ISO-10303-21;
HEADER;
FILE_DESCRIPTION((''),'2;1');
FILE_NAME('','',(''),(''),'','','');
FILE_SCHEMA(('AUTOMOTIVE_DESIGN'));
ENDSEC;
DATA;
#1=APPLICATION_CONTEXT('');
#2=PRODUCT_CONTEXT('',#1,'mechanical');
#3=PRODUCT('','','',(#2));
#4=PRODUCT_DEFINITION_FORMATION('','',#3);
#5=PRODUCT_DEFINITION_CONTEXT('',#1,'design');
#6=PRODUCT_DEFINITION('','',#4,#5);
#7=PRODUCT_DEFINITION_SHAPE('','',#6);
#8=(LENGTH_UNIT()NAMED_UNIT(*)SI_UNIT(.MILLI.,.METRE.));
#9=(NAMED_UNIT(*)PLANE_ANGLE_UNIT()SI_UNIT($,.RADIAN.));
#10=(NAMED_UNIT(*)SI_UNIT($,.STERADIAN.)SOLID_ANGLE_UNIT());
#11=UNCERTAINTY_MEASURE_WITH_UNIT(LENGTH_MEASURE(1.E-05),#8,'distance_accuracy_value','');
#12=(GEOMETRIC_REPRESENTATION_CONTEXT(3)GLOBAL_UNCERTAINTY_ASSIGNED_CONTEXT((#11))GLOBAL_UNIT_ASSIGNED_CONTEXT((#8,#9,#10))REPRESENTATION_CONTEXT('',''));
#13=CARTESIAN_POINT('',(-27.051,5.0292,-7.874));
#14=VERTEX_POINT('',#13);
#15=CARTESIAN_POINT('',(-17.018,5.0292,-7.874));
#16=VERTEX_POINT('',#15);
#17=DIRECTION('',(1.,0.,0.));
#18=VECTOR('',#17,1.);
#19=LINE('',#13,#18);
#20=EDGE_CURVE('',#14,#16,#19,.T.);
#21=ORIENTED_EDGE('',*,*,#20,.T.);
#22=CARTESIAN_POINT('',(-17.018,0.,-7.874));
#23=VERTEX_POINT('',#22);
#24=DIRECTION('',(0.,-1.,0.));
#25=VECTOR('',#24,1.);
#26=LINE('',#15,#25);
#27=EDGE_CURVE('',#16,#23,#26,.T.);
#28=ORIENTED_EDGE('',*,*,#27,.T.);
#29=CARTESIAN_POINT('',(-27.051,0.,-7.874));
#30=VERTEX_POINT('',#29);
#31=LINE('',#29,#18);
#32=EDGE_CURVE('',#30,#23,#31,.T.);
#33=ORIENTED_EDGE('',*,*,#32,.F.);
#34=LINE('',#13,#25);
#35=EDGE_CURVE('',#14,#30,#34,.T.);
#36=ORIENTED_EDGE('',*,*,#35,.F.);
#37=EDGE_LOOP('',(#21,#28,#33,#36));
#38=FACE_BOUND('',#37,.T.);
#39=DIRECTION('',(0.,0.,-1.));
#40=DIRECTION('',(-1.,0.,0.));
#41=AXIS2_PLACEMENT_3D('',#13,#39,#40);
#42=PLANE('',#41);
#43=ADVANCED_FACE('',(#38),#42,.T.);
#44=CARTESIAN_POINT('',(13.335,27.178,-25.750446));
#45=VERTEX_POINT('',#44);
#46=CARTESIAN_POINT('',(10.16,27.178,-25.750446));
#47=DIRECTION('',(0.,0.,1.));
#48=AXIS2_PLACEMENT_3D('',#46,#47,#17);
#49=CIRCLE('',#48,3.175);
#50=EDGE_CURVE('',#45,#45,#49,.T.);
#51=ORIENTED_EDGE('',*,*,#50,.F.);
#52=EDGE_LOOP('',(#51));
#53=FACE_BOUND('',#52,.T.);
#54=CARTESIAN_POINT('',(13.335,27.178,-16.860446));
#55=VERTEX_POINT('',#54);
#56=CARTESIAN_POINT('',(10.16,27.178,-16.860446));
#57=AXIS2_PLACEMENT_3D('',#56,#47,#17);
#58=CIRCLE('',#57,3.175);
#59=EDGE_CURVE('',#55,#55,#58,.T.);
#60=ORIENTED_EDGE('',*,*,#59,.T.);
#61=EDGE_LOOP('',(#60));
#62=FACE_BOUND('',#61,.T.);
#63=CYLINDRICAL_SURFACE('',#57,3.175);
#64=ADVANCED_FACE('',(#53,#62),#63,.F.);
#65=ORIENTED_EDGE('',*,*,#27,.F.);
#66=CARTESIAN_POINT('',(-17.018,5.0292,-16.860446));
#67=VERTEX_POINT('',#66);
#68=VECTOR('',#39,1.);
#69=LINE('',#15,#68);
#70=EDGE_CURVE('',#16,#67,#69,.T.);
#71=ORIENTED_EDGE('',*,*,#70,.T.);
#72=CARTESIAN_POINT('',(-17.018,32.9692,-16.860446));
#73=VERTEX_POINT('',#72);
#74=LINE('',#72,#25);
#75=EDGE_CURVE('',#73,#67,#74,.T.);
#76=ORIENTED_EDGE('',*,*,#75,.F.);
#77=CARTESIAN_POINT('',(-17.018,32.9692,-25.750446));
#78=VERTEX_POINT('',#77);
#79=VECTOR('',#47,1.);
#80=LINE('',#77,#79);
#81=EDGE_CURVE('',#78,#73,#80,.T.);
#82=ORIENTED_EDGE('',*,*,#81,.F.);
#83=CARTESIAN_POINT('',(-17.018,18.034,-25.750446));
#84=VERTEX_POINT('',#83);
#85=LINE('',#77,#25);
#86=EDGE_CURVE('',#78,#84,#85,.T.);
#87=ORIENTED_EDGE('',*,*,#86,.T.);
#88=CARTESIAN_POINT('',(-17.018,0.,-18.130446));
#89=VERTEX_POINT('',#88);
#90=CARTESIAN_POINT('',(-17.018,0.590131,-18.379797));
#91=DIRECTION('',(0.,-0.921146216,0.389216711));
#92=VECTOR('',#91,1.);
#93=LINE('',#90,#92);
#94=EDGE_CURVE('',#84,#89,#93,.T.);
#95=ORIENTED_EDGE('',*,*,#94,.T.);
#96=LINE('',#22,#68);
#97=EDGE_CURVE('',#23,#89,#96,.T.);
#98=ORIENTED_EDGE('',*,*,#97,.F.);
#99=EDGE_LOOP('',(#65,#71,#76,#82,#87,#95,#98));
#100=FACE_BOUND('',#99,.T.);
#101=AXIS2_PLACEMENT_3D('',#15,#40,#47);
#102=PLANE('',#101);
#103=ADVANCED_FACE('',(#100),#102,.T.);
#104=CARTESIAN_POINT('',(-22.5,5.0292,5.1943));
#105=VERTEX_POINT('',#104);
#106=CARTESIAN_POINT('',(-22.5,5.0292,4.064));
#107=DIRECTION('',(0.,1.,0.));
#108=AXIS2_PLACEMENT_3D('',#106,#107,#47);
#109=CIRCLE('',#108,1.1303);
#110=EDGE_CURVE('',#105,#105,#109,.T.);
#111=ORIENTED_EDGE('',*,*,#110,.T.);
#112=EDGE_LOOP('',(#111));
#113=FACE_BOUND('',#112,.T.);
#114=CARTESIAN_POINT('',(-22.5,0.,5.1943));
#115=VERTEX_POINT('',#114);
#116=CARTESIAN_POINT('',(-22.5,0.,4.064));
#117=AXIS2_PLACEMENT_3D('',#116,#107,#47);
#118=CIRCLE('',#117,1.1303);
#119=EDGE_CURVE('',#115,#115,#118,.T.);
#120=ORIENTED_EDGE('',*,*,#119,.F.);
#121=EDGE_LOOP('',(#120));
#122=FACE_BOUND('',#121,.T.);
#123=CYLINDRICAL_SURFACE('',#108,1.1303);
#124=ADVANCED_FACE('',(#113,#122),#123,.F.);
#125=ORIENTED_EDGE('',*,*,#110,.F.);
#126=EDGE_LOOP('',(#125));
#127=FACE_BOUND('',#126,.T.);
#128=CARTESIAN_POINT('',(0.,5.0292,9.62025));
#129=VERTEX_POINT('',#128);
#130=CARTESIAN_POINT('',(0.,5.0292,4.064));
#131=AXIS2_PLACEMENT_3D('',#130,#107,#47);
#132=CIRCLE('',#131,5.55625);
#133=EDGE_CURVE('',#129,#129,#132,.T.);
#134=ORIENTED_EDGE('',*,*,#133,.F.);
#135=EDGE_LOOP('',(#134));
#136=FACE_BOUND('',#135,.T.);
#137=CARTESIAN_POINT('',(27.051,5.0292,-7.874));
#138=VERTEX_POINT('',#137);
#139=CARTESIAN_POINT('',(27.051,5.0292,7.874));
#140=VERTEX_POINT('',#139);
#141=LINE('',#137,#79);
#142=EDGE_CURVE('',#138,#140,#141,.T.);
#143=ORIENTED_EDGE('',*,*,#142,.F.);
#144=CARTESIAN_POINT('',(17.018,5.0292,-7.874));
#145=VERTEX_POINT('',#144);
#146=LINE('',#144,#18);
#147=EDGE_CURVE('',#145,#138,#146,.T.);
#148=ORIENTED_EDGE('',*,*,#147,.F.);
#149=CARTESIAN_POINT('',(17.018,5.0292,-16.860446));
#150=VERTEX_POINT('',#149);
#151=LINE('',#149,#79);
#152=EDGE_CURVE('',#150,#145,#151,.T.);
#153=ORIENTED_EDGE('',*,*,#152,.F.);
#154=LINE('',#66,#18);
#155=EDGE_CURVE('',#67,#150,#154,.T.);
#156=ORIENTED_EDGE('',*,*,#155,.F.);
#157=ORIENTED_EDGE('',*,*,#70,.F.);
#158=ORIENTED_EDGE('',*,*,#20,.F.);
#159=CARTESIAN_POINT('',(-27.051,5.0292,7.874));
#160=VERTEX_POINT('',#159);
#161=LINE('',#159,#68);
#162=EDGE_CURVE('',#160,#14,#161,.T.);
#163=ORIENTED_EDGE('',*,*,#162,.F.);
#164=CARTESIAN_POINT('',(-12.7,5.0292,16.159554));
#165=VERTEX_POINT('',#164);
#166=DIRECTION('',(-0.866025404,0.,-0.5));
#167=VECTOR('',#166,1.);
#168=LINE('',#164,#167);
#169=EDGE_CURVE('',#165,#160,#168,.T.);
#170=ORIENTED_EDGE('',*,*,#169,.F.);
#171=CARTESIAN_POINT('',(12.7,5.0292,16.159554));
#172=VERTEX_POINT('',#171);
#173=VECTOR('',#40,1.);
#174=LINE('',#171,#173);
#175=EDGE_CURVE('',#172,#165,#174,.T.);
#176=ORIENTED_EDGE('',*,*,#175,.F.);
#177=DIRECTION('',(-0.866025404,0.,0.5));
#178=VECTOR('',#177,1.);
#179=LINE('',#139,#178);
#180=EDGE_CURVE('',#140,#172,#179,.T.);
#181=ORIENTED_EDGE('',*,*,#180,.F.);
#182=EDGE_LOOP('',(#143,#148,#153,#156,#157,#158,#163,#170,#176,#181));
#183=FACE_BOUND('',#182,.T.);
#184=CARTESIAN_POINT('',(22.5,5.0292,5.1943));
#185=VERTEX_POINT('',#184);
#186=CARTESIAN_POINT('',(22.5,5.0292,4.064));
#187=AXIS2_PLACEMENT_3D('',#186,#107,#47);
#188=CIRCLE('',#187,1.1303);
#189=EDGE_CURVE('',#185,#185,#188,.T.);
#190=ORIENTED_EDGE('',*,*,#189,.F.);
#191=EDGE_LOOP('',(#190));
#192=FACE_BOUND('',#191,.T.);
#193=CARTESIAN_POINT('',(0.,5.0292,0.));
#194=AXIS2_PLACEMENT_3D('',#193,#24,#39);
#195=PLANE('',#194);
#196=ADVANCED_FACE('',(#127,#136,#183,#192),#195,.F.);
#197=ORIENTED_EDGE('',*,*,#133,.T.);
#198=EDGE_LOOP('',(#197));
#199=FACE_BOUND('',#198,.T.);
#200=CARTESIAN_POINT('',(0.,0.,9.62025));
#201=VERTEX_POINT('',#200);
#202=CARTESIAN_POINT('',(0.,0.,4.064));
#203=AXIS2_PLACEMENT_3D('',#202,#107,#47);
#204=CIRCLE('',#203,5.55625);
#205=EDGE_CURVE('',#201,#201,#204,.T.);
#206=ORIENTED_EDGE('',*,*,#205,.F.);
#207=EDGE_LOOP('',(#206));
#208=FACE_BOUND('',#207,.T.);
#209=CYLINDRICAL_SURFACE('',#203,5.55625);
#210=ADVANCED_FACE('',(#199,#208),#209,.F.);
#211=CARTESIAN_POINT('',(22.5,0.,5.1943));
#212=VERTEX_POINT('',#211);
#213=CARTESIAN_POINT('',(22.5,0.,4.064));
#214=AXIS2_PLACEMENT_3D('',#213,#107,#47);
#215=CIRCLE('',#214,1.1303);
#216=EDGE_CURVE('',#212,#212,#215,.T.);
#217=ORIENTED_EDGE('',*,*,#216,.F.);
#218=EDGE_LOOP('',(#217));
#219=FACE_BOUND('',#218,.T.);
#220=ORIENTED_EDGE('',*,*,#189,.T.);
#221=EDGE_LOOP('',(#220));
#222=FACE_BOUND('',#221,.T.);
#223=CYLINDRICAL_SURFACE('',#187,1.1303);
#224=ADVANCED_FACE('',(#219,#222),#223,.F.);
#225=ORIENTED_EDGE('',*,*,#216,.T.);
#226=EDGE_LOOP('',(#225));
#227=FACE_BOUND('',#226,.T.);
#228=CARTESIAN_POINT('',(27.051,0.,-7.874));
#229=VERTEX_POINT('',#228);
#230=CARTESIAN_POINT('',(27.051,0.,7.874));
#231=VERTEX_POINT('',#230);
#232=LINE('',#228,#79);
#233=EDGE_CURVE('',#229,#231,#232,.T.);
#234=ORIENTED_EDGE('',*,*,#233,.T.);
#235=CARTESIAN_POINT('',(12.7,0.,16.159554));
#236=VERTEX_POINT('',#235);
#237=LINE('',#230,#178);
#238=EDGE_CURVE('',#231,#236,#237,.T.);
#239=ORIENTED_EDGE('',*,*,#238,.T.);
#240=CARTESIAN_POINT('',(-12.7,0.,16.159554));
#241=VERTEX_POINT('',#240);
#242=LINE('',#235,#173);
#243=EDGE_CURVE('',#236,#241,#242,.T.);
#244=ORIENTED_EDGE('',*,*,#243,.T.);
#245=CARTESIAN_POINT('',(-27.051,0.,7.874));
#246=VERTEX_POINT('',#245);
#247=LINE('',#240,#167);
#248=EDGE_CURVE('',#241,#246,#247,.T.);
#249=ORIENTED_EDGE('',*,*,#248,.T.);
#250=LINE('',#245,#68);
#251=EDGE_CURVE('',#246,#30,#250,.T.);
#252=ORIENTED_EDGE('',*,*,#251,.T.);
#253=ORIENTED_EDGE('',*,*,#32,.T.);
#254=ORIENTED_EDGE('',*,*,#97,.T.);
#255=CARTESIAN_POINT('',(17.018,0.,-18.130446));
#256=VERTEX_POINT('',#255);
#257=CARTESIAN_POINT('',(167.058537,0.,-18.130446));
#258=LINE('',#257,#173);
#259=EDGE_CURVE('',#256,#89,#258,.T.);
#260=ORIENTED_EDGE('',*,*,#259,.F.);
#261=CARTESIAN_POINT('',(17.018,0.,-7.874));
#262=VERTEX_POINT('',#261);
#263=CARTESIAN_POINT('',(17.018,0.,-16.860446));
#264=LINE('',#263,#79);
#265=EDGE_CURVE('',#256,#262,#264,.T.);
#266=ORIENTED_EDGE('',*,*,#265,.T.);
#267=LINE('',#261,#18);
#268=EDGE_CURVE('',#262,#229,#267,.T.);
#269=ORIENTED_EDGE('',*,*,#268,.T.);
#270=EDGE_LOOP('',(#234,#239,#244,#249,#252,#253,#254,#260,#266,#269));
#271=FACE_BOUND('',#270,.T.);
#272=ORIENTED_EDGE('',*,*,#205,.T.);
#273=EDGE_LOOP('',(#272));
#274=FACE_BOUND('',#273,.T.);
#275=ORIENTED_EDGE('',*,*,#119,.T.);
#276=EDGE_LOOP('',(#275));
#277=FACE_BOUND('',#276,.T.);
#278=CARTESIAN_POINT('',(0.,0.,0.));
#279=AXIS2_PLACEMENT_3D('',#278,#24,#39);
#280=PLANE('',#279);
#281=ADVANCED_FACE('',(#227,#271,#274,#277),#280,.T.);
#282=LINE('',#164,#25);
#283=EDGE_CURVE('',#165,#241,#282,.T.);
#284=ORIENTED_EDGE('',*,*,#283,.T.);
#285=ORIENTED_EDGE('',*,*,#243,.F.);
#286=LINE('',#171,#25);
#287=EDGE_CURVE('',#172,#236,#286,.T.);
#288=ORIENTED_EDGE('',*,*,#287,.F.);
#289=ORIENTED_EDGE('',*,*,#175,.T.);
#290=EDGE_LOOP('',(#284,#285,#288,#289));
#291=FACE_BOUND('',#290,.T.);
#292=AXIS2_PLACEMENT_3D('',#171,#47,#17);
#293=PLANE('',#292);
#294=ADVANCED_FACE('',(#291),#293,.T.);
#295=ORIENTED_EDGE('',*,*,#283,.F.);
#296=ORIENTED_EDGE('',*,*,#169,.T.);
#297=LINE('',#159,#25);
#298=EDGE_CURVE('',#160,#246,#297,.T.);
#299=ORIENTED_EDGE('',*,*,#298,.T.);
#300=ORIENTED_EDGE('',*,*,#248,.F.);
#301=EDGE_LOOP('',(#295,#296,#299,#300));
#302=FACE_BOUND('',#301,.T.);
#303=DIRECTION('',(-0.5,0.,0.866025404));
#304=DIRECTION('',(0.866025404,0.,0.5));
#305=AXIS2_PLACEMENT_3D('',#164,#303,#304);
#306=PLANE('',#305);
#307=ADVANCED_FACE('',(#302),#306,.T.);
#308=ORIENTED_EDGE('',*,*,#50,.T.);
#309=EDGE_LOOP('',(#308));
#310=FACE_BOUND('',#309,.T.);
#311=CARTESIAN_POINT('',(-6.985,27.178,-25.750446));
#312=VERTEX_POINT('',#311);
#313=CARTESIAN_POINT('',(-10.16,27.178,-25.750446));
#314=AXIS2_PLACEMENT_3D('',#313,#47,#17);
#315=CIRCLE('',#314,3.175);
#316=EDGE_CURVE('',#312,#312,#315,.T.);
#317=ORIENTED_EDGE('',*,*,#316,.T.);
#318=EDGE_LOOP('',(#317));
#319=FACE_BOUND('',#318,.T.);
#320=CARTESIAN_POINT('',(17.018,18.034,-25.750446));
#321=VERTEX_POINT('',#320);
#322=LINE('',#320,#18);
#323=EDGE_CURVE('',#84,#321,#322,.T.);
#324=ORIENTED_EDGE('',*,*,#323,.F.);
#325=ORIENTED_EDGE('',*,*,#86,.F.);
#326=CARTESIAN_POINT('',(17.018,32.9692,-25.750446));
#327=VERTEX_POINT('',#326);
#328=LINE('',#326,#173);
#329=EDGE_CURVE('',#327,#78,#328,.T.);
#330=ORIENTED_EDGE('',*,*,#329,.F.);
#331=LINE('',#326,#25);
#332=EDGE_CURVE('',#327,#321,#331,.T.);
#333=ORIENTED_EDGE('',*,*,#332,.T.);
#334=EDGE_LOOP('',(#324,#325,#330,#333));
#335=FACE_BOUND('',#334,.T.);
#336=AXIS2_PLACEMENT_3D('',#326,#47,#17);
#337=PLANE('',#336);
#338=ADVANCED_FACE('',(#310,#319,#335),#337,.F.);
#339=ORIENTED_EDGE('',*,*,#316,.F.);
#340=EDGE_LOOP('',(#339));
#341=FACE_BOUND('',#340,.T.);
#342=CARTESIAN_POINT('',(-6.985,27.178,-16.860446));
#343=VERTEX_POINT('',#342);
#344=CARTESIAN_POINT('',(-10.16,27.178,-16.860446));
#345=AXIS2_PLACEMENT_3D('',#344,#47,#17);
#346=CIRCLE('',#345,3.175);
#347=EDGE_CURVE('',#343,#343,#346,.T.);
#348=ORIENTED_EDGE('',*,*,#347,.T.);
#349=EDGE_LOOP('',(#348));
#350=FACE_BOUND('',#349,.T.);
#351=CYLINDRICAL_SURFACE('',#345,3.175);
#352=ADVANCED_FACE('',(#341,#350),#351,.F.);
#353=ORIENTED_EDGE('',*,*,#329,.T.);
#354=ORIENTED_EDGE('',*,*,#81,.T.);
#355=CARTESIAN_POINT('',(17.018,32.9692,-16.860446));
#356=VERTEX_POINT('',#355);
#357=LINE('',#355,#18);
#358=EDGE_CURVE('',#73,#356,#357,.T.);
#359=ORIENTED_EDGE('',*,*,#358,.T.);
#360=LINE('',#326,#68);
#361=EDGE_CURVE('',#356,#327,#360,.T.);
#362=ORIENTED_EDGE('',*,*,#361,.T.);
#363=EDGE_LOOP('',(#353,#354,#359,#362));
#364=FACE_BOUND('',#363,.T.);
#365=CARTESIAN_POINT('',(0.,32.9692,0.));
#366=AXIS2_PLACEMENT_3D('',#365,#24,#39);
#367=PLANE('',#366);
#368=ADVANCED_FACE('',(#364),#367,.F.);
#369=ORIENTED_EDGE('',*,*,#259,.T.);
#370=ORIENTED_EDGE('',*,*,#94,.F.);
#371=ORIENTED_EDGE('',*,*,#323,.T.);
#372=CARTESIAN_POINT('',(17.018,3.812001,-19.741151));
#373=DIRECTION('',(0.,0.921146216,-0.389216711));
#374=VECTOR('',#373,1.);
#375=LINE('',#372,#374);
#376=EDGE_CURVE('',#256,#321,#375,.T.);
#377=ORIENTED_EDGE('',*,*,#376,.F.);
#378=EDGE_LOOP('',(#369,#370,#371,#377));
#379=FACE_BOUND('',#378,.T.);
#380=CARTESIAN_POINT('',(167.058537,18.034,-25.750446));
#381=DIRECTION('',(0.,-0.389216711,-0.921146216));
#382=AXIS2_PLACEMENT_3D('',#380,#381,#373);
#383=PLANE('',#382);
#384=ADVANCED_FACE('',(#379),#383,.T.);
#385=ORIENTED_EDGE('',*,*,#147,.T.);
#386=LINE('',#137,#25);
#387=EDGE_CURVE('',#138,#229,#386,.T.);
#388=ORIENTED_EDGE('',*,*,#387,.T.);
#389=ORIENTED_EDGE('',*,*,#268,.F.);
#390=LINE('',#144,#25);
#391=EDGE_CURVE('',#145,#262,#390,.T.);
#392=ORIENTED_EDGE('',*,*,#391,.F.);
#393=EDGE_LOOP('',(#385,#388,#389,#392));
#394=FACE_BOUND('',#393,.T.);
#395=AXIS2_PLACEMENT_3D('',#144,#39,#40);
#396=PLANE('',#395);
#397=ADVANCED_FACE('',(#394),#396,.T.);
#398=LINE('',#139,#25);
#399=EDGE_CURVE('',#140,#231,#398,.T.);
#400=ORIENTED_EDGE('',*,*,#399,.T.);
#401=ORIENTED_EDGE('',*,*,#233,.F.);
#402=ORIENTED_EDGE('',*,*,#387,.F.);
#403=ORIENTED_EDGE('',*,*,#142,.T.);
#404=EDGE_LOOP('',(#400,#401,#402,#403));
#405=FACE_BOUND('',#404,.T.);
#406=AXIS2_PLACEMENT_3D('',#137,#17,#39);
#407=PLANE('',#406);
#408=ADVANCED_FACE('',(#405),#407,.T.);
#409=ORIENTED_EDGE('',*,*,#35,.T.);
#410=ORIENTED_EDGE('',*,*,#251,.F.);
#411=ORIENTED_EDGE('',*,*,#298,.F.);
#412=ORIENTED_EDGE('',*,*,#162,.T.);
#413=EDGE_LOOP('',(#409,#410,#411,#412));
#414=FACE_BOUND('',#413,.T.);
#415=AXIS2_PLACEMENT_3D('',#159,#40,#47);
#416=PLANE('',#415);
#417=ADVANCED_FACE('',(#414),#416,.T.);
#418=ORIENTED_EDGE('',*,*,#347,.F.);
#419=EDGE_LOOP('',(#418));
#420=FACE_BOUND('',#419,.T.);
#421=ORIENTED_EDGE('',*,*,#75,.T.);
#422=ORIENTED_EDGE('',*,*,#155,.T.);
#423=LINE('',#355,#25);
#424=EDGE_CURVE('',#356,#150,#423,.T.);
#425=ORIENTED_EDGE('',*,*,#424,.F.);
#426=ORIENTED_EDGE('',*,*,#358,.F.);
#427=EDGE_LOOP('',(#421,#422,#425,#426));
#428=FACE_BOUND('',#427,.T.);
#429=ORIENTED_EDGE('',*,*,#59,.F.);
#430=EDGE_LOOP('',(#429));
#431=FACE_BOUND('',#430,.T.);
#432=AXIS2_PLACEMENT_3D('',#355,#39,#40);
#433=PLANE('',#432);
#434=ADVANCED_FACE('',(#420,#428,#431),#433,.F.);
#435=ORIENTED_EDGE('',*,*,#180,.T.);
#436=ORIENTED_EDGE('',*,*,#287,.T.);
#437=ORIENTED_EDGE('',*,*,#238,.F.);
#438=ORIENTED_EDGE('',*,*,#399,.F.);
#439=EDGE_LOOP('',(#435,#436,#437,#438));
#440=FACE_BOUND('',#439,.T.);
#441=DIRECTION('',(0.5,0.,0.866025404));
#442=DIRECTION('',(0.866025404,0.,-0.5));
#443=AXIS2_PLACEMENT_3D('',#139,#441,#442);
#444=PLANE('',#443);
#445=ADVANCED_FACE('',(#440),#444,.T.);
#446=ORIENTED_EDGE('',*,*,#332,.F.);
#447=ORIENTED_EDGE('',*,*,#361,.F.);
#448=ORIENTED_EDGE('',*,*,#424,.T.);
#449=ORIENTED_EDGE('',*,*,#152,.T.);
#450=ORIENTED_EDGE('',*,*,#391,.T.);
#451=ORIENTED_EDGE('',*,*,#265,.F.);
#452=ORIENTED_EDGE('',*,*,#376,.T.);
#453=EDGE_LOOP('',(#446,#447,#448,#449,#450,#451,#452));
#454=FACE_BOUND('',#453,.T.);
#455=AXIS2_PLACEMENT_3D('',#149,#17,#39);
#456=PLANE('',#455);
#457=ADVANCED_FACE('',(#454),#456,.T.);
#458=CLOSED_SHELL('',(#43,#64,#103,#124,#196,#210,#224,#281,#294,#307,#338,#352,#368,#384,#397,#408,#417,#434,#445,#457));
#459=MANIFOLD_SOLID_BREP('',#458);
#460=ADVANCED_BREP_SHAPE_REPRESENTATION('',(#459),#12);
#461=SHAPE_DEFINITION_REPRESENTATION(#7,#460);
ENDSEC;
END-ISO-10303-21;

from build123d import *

# Parameters (mm, degrees)
BOSS_EXTRUDE1_DEPTH         = 5.0292
SKETCH2_W                   = 34.036
SKETCH2_H                   = 8.89
BOSS_EXTRUDE2_DEPTH         = 32.9692
CUT_EXTRUDE1_DEPTH          = 61.762903104
CUT_EXTRUDE1_DEPTH_BACK     = 61.762903104
F_1_4_0_25_DIAMETER_HOLE1_D = 6.35
SKETCH7_R                   = 5.55625
CUT_EXTRUDE2_DEPTH          = 47.642102064
F_4_40_TAPPED_HOLE1_D       = 2.2606


with BuildPart() as part:
    # Sketch1 → Boss-Extrude1 (new body)
    with BuildSketch(Plane(origin=(0, 0, 0), x_dir=(1, 0, 0), z_dir=(0, 1, 0))):
        Polygon((-27.051, 7.874), (-17.018, 7.874), (-17.018, 16.860446287), (17.018, 16.860446287), (17.018, 7.874), (27.051, 7.874), (27.051, -7.874), (12.7, -16.159553713), (-12.7, -16.159553713), (-27.051, -7.874), align=None)
    extrude(amount=BOSS_EXTRUDE1_DEPTH)

    # Sketch2 → Boss-Extrude2 (add)
    with BuildSketch(Plane(origin=(0, 0, 0), x_dir=(1, 0, 0), z_dir=(0, 1, 0))):
        with Locations((0, 21.305446287)):
            Rectangle(SKETCH2_W, SKETCH2_H)
    extrude(amount=BOSS_EXTRUDE2_DEPTH)

    # Sketch3 → Cut-Extrude1 (cut, two sides: drawn at the far end of the back side and taken through both)
    with BuildSketch(Plane(origin=(17.018, 0, 0), x_dir=(0, 0, -1), z_dir=(1, 0, 0)).offset(-CUT_EXTRUDE1_DEPTH_BACK)):
        Polygon((66.671605927, 114.880744481), (25.750446287, 18.034), (18.130446287, 0), (-22.790713353, -96.846744481), (170.902775608, -178.68906376), (260.365094888, 33.038425201), align=None)
    extrude(amount=CUT_EXTRUDE1_DEPTH + CUT_EXTRUDE1_DEPTH_BACK, mode=Mode.SUBTRACT)

    # 1/4 (0.25) Diameter Hole1 (through all)
    with Locations(Plane.XY.offset(-16.860446287)):
        with Locations((-10.16, 27.178), (10.16, 27.178)):
            Hole(F_1_4_0_25_DIAMETER_HOLE1_D / 2)

    # Sketch7 → Cut-Extrude2 (cut, through all)
    with BuildSketch(Plane(origin=(0, 5.0292, 0), x_dir=(1, 0, 0), z_dir=(0, 1, 0))):
        with Locations(Location((0, -4.064, 0), (0, 0, 270))):
            Circle(SKETCH7_R)
    extrude(amount=-CUT_EXTRUDE2_DEPTH, mode=Mode.SUBTRACT)

    # #4-40 Tapped Hole1 (through all)
    with Locations(Plane(origin=(0, 5.0292, 0), x_dir=(1, 0, 0), z_dir=(0, 1, 0))):
        with Locations((0, 0), (-22.5, -4.064), (22.5, -4.064)):
            Hole(F_4_40_TAPPED_HOLE1_D / 2)


solid = part.part
